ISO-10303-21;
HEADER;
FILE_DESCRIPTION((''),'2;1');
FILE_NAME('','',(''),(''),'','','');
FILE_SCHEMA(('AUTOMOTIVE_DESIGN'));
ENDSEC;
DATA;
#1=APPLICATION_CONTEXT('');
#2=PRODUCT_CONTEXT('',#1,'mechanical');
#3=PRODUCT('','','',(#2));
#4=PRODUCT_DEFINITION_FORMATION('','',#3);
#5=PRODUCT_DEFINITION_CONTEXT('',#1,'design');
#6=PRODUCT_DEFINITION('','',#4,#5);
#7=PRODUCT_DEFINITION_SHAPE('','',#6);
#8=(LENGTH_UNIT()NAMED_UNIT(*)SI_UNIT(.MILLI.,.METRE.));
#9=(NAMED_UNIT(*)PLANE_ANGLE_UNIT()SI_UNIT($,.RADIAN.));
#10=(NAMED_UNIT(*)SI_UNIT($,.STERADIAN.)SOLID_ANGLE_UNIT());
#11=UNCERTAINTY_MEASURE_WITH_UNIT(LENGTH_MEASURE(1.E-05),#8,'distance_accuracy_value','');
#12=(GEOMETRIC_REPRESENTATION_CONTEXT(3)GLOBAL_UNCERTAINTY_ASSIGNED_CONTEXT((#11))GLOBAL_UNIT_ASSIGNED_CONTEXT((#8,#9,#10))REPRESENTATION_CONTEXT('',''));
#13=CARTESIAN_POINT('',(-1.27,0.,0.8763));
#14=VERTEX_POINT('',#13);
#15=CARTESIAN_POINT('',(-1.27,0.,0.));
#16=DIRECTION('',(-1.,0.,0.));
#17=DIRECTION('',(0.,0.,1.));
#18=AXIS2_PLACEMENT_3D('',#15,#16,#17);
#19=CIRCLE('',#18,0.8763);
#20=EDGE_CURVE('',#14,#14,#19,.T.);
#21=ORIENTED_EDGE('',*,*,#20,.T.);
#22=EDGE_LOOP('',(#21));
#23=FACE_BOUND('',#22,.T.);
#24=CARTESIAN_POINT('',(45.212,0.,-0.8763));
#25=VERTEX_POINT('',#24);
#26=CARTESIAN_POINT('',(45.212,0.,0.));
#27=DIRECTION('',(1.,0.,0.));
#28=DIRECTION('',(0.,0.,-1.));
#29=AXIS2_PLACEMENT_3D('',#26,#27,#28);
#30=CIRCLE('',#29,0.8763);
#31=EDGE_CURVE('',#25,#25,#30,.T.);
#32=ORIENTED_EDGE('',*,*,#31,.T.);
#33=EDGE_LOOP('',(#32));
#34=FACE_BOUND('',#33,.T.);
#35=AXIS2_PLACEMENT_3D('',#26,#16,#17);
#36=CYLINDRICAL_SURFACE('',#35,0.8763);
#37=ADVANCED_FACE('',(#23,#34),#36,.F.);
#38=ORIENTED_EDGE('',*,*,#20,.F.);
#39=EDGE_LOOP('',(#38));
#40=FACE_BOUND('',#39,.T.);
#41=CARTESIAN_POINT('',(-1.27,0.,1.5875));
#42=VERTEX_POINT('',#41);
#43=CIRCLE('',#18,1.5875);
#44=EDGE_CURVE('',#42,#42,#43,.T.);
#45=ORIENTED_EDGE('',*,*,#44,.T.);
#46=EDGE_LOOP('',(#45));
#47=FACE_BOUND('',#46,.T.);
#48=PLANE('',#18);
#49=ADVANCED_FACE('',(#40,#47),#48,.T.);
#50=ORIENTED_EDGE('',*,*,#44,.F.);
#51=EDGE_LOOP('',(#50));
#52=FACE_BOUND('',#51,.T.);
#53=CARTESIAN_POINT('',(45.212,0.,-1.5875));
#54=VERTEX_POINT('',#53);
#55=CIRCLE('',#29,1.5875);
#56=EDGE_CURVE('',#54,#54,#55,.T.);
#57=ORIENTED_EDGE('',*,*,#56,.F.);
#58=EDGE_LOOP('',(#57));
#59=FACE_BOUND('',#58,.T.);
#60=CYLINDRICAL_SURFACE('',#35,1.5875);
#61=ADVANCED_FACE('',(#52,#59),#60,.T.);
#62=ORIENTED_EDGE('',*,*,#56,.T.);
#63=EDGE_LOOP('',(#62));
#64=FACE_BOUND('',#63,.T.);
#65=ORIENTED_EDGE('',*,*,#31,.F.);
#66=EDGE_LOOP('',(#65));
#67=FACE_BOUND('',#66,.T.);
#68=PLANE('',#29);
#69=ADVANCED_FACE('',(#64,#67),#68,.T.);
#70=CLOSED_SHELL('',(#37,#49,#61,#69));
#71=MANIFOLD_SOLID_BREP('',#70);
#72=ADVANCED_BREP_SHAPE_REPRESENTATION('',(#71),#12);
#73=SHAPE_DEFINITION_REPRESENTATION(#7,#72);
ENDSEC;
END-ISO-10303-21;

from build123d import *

# Parameters (mm, degrees)
CROQUIS1_R              = 1.5875
CROQUIS1_R_2            = 0.8763
SALIENTE_EXTRUIR1_DEPTH = 45.212
CROQUIS2_R              = 1.5875
CROQUIS2_R_2            = 0.8763
SALIENTE_EXTRUIR2_DEPTH = 1.27


with BuildPart() as part:
    # Croquis1 → Saliente-Extruir1 (new body)
    with BuildSketch(Plane(origin=(0, 0, 0), x_dir=(0, 0, -1), z_dir=(1, 0, 0))):
        Circle(CROQUIS1_R)
        Circle(CROQUIS1_R_2, mode=Mode.SUBTRACT)
    extrude(amount=SALIENTE_EXTRUIR1_DEPTH)

    # Croquis2 → Saliente-Extruir2 (add)
    with BuildSketch(Plane.ZY):
        Circle(CROQUIS2_R)
        Circle(CROQUIS2_R_2, mode=Mode.SUBTRACT)
    extrude(amount=SALIENTE_EXTRUIR2_DEPTH)


solid = part.part
